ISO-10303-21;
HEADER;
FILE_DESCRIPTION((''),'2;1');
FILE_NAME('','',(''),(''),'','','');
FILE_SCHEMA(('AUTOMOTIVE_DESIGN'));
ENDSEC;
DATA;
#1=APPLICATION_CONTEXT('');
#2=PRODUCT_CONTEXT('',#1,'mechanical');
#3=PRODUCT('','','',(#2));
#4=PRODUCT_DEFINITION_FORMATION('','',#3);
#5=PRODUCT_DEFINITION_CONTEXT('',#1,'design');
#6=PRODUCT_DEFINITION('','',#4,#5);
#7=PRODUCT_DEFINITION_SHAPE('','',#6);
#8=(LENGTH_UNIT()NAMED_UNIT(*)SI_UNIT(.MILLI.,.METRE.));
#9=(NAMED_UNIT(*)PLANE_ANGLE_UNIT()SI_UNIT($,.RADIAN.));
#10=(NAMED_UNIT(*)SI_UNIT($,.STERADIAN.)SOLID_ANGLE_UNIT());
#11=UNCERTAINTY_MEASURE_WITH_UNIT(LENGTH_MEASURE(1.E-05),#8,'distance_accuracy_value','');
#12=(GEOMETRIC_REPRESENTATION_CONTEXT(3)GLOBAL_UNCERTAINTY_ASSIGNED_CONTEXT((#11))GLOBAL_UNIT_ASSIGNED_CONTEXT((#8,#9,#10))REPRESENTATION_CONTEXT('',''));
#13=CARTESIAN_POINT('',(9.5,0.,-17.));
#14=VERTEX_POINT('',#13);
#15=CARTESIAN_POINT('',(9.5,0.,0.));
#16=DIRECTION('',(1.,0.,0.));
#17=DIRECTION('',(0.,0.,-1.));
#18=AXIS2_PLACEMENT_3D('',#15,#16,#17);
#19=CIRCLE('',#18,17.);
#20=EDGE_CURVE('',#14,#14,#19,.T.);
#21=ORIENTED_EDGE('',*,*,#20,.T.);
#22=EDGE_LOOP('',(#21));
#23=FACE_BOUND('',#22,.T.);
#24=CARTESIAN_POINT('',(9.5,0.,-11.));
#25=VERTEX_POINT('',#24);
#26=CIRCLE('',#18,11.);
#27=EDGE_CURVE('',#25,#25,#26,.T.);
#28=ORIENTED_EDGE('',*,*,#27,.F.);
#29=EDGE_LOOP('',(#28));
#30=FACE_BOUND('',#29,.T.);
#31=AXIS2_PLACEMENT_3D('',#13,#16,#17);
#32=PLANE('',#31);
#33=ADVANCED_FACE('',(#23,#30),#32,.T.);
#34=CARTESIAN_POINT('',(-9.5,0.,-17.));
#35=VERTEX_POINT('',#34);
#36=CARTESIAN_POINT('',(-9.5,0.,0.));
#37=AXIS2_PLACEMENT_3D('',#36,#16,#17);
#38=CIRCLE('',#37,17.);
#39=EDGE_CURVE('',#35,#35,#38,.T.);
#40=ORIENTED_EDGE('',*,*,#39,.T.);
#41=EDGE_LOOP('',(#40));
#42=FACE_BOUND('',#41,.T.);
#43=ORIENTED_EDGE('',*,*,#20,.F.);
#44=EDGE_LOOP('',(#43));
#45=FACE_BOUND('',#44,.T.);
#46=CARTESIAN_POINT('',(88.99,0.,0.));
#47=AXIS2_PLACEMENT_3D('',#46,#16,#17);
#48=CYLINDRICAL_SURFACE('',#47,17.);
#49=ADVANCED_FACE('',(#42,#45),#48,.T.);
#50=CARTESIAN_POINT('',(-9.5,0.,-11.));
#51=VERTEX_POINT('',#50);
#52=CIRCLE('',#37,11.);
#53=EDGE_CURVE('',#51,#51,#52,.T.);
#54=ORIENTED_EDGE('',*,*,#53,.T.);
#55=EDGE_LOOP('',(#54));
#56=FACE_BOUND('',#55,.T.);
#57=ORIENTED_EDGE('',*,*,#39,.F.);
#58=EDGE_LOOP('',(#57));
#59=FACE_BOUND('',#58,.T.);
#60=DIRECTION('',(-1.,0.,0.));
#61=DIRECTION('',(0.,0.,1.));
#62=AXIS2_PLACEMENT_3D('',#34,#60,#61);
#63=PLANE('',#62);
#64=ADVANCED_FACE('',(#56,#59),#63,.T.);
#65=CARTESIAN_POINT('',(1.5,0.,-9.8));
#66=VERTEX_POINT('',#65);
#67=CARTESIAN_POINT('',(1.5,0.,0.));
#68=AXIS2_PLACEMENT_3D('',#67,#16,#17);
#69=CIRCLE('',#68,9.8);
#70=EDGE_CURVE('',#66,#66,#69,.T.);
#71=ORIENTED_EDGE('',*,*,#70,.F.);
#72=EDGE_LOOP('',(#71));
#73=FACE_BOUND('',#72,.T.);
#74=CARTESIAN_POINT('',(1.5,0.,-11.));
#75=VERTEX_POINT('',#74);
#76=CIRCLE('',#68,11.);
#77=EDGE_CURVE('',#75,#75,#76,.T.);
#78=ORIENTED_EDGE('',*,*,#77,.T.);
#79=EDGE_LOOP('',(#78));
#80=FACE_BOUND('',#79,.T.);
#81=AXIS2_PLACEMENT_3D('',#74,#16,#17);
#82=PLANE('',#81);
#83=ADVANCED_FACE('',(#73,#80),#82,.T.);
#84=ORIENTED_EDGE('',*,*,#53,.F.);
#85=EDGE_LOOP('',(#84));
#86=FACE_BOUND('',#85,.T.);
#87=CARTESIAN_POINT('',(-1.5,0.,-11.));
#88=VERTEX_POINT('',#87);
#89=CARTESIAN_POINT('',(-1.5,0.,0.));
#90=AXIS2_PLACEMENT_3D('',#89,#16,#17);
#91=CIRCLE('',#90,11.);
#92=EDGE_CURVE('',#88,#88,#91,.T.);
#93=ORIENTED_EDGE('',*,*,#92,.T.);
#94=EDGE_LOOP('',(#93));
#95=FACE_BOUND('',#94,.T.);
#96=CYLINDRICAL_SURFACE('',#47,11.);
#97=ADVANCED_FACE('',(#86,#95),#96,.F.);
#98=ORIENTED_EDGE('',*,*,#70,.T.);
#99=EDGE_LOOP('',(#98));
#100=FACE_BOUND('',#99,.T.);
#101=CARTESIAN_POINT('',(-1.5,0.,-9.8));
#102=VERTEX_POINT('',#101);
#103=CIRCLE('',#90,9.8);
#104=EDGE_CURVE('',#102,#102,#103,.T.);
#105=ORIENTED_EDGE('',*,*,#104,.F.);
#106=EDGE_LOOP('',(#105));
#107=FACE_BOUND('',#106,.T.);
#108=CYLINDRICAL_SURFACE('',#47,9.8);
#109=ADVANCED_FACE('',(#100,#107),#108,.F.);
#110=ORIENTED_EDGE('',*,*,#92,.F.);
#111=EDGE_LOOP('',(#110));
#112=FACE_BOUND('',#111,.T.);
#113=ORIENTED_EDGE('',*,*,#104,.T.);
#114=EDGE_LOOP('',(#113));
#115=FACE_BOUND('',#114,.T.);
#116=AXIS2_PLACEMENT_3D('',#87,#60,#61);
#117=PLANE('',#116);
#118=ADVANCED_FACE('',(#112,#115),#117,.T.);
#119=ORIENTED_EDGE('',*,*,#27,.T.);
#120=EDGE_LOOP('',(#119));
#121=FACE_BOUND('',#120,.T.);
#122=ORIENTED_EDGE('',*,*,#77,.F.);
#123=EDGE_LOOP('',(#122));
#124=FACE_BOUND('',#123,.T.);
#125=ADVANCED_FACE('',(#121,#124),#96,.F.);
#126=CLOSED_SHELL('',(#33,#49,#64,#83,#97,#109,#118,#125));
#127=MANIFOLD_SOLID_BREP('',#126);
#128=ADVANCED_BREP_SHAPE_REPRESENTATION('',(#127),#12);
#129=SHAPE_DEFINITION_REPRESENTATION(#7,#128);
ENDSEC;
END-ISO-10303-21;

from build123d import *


with BuildPart() as part:
    # Sketch2 → Revolve1 (revolve)
    with BuildSketch(Plane(origin=(0, 0, 0), x_dir=(1, 0, 0), z_dir=(0, 1, 0))):
        Polygon((-9.5, 17), (9.5, 17), (9.5, 11), (1.5, 11), (1.5, 9.8), (-1.5, 9.8), (-1.5, 11), (-9.5, 11), align=None)
    revolve(axis=Axis((88.99, 0, 0), (-1, 0, 0)))


solid = part.part
